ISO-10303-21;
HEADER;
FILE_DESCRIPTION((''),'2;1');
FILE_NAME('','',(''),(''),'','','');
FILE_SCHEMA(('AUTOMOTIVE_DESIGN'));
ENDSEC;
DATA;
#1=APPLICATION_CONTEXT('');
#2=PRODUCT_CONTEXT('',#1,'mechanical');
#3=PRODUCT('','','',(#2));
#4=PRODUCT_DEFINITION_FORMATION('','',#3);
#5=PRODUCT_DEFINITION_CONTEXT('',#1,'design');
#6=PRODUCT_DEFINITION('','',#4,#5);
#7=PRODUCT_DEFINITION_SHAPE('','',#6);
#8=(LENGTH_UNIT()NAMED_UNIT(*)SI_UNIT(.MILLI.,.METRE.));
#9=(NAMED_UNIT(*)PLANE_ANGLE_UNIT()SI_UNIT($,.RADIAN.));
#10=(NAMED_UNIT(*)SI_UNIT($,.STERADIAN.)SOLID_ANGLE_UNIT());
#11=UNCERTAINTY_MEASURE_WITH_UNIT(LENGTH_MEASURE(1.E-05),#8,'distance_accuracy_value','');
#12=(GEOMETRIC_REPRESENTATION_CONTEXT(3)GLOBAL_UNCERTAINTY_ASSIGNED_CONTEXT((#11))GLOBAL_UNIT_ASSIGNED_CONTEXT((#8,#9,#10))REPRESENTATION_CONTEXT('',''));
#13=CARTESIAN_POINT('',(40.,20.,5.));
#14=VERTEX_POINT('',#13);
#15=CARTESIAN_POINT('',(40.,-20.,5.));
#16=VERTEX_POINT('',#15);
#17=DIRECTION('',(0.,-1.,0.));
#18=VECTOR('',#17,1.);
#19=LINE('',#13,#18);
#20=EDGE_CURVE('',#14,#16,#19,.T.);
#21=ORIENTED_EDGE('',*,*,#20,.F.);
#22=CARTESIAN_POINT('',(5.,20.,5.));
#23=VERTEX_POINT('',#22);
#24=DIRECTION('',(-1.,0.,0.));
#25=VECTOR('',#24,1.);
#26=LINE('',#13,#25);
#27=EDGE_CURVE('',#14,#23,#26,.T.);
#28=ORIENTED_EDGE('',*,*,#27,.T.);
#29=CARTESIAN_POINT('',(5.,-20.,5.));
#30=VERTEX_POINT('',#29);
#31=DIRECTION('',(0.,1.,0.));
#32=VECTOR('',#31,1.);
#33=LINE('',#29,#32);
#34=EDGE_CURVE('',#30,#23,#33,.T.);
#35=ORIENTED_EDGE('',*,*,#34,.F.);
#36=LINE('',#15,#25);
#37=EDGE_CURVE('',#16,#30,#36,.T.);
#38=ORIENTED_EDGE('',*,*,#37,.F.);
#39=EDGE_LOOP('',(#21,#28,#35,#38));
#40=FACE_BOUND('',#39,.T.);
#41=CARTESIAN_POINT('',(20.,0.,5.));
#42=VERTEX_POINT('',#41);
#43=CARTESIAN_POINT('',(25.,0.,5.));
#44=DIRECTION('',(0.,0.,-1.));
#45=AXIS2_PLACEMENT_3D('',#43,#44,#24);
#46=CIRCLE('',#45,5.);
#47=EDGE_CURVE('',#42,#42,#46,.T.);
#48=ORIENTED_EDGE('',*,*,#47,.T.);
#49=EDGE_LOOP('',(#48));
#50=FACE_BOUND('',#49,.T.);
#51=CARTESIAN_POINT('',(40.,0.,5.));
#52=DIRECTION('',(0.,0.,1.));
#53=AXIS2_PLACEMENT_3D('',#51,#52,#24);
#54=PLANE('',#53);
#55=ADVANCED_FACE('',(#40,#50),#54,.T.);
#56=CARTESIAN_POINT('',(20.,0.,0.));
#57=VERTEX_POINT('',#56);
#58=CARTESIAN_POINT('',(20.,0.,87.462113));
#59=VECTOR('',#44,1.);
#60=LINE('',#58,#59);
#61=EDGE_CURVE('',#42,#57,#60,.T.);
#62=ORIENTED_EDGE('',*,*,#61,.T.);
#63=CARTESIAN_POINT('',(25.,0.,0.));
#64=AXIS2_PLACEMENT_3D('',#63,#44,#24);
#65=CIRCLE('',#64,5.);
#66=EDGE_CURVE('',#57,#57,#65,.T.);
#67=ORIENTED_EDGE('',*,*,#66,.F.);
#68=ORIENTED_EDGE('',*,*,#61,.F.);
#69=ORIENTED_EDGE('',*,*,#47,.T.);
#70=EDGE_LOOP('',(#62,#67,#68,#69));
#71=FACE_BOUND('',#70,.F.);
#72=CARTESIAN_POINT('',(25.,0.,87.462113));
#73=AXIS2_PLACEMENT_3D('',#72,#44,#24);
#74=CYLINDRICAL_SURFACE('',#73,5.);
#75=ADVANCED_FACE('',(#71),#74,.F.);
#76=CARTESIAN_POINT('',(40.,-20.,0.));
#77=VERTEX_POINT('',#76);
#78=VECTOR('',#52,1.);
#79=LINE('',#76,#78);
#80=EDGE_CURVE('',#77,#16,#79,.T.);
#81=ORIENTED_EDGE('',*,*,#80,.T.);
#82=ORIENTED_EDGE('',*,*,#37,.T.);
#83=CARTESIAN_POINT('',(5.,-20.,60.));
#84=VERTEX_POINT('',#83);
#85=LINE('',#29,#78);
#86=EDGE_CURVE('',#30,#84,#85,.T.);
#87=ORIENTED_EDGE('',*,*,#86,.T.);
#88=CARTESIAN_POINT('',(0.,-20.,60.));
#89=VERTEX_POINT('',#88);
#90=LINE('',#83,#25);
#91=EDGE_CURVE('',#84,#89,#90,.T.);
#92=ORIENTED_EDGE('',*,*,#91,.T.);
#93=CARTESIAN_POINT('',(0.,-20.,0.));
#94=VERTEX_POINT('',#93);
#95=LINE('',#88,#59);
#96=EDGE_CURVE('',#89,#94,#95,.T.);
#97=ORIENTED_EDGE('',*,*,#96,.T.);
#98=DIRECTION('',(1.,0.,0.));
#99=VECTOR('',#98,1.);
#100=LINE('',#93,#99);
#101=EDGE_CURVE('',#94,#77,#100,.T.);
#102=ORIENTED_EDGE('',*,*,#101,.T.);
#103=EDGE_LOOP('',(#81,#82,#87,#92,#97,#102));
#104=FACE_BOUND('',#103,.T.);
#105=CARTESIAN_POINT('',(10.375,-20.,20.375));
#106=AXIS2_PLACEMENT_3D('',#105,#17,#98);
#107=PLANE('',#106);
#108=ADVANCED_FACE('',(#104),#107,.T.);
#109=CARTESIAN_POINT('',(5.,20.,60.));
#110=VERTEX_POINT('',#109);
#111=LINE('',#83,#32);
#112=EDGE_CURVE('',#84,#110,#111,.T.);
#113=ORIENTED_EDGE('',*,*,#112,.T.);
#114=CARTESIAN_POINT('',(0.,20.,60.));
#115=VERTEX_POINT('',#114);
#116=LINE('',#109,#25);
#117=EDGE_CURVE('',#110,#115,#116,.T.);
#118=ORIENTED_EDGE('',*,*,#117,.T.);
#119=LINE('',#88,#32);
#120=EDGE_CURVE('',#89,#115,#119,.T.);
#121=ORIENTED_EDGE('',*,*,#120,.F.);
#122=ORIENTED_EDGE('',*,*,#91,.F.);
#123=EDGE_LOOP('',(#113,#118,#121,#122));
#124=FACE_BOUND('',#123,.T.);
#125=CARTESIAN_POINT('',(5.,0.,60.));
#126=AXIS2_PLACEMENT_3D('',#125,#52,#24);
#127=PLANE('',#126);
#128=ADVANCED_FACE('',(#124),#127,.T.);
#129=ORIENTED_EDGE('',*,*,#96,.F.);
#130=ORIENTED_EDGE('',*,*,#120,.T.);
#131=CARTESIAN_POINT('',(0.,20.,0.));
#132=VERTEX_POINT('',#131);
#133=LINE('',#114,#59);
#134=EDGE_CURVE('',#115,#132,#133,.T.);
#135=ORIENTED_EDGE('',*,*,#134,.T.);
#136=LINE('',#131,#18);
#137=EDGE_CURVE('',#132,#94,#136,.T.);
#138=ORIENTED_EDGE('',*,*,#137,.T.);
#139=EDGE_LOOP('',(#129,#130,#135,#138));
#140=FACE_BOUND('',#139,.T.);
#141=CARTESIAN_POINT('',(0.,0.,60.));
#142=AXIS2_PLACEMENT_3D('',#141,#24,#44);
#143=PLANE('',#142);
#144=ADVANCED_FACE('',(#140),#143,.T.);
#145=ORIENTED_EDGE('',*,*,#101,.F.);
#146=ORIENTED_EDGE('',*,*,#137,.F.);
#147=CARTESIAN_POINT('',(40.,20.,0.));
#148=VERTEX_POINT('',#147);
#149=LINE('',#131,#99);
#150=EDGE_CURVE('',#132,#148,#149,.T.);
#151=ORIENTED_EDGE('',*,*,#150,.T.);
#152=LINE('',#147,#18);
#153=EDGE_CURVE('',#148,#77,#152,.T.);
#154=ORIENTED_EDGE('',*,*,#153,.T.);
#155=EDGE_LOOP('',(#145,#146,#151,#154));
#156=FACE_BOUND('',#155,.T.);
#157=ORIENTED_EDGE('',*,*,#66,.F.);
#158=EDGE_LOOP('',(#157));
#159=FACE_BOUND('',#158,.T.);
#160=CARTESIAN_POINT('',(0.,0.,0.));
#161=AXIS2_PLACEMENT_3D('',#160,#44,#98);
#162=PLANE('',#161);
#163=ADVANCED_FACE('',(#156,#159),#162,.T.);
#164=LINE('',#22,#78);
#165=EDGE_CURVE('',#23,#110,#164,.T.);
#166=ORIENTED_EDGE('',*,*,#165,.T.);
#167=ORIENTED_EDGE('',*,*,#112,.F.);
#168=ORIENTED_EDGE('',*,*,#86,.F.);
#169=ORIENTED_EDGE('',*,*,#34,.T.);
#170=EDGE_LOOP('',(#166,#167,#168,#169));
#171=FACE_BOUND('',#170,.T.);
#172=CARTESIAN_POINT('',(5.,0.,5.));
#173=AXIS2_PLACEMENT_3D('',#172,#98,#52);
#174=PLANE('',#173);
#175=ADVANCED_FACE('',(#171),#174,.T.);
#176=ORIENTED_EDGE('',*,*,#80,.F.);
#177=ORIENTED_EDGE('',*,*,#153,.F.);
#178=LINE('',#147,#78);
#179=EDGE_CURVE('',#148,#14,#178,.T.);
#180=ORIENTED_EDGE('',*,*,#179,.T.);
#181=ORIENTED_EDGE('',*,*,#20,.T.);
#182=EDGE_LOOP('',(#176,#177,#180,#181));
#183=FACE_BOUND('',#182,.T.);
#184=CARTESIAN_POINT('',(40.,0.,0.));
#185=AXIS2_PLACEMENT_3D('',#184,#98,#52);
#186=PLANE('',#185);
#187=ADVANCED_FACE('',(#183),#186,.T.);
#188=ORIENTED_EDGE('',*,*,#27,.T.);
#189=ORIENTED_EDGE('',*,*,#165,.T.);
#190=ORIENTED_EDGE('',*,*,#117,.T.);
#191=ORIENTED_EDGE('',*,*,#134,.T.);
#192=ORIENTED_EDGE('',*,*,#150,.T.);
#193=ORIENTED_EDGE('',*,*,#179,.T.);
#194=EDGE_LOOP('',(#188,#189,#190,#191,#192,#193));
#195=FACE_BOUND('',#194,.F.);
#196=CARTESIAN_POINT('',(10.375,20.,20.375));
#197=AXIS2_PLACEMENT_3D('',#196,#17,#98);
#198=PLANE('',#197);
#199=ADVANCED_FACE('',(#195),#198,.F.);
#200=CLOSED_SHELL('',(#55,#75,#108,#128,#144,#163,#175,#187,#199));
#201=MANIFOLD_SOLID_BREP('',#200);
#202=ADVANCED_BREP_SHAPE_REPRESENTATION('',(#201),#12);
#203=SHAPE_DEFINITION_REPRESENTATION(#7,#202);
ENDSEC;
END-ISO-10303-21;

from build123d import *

# Parameters (mm, degrees)
F1_DEPTH = 20
F3_D     = 10


with BuildPart() as f1:
    # F0 (on Front) → F1 (new body, symmetric)
    with BuildSketch(Plane.XZ):
        Polygon((0, 60), (0, 0), (40, 0), (40, 5), (5, 5), (5, 60), align=None)
    extrude(amount=F1_DEPTH, both=True)

    # F3 (through all)
    with Locations(Plane.XY.offset(5)):
        with Locations((25, 0)):
            Hole(F3_D / 2)


solid = f1.part
